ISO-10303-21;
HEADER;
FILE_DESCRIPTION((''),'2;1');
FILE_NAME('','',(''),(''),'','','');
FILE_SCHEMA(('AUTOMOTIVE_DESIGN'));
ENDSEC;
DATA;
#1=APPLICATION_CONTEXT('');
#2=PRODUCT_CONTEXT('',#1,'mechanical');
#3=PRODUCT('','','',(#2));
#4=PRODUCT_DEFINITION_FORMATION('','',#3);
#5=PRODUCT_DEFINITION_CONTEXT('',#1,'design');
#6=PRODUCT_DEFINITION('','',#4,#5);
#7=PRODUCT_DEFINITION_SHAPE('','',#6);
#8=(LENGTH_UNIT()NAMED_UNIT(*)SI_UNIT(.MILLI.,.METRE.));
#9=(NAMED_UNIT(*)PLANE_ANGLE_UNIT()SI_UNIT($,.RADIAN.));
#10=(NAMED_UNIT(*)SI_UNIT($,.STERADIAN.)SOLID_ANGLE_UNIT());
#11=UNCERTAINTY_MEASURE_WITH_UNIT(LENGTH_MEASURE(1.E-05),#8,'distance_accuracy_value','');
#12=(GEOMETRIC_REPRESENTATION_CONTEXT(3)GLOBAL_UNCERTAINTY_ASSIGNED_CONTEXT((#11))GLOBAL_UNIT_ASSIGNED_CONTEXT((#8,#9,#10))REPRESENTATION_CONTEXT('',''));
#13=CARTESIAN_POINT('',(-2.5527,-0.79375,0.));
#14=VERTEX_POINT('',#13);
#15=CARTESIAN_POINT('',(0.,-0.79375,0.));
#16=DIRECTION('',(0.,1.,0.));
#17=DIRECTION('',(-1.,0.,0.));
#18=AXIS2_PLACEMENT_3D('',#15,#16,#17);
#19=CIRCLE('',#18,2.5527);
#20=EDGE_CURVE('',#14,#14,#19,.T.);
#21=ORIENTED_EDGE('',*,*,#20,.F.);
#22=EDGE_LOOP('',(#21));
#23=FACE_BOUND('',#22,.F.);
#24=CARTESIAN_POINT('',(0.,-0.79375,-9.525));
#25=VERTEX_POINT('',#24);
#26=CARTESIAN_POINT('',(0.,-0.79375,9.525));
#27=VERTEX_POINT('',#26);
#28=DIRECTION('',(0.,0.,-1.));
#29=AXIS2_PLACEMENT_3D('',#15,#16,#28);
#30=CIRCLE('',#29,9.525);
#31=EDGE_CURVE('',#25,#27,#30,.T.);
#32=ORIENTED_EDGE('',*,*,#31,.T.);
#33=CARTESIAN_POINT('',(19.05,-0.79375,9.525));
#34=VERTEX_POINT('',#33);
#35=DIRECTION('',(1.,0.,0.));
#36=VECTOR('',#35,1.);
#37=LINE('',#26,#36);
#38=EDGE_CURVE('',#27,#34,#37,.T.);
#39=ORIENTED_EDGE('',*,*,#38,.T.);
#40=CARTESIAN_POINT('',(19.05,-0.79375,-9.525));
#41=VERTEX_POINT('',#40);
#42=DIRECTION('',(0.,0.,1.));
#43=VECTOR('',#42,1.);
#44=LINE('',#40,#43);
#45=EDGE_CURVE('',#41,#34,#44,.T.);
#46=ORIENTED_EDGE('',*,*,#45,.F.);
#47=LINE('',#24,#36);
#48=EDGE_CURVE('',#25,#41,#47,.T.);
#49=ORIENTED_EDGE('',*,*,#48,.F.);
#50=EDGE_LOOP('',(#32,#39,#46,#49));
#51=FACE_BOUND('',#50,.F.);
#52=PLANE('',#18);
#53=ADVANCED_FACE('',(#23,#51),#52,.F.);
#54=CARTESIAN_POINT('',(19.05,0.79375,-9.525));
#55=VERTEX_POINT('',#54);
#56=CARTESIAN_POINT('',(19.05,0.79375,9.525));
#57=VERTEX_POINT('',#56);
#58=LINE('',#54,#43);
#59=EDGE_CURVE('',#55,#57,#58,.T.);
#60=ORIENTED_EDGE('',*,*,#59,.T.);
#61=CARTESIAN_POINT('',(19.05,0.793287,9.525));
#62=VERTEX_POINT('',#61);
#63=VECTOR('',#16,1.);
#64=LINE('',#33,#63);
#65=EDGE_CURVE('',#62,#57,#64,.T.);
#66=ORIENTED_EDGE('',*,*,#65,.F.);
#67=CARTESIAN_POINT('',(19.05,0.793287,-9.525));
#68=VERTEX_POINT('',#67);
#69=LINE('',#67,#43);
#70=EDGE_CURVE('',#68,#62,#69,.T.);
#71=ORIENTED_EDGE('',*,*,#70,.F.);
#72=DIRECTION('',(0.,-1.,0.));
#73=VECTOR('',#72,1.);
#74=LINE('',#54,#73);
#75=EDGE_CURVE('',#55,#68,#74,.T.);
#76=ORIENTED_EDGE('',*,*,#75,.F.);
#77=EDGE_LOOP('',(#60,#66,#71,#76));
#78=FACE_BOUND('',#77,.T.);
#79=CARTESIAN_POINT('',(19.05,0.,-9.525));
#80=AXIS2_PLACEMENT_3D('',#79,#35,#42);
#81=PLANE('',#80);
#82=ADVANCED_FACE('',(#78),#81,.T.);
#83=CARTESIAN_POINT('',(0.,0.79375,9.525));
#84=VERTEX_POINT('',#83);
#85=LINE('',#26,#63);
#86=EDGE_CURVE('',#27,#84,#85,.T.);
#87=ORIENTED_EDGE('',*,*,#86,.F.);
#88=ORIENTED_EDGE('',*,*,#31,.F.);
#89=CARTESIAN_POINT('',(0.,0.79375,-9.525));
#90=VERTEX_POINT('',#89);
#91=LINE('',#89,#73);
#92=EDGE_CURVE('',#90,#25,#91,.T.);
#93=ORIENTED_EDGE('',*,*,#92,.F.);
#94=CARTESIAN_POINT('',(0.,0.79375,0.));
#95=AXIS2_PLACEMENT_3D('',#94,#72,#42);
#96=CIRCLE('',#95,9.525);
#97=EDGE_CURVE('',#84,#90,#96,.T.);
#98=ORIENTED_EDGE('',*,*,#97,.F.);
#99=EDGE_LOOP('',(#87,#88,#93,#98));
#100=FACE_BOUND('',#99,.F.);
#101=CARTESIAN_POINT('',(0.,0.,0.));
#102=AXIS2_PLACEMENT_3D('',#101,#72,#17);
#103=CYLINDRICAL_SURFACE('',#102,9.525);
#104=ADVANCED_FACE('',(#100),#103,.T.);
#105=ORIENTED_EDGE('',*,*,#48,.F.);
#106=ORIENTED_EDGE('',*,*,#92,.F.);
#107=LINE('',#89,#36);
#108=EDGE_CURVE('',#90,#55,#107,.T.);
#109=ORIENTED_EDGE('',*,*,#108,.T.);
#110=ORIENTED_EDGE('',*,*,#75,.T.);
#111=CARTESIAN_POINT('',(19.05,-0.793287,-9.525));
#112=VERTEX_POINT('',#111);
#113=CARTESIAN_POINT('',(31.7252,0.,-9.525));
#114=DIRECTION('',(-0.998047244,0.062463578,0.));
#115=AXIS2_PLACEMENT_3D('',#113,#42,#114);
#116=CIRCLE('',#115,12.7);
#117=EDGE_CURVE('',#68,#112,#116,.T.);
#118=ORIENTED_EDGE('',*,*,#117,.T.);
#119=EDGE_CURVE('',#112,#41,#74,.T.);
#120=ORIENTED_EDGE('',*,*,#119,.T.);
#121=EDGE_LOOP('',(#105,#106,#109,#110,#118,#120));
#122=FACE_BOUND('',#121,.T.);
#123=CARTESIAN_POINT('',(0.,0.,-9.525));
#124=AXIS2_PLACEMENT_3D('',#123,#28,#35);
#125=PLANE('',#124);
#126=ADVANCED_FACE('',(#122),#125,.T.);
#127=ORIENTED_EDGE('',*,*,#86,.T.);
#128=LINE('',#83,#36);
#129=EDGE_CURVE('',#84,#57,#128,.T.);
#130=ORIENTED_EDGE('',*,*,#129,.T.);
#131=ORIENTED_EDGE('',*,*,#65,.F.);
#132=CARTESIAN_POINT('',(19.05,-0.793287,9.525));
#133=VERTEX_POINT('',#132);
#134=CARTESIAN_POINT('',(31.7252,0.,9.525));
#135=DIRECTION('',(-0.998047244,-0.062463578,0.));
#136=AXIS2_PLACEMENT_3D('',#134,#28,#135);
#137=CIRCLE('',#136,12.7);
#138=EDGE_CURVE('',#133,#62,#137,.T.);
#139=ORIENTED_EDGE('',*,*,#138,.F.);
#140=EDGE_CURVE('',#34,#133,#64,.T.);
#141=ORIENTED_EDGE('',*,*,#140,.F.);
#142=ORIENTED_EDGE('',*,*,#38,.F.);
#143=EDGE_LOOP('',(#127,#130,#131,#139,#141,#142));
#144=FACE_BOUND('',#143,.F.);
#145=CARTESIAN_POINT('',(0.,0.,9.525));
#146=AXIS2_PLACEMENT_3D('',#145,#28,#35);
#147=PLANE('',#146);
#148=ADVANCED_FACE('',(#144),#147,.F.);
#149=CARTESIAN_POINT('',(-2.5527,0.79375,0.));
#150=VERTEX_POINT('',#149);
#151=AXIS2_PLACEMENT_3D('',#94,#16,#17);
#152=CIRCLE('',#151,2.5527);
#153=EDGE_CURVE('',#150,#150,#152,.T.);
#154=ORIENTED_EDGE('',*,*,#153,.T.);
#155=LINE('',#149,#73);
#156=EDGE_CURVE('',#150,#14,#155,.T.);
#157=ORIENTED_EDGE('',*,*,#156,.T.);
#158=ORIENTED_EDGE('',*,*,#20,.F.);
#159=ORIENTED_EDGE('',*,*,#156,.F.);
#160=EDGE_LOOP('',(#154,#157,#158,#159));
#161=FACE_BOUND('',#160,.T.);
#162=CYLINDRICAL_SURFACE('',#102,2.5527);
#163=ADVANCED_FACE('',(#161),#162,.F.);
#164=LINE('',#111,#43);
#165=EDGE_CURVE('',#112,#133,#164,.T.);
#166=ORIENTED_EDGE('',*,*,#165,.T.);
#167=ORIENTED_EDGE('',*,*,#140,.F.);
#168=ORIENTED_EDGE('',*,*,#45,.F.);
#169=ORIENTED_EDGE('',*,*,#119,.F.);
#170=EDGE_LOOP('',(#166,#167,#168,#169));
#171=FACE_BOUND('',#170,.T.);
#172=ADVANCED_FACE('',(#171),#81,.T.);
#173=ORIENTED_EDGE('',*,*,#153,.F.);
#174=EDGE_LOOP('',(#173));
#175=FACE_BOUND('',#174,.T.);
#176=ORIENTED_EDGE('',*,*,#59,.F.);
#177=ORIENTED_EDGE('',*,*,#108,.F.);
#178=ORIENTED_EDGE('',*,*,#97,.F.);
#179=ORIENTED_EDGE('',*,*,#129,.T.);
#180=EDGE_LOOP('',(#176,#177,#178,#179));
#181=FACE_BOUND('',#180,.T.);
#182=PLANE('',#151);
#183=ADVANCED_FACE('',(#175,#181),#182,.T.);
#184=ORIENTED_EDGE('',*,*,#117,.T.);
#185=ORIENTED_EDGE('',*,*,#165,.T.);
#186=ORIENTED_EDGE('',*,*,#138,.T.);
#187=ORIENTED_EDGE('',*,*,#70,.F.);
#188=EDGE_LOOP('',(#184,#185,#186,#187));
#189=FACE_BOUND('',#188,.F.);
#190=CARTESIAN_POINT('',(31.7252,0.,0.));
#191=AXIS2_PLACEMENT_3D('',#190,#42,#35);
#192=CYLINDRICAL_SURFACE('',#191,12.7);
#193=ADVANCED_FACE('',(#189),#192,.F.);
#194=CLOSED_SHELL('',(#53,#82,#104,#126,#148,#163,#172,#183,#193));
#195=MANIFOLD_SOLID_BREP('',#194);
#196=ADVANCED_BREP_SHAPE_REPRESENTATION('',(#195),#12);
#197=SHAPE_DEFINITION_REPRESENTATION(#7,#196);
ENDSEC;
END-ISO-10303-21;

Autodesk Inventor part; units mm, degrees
ref_plane "YZ Plane" through (0, 0, 0) normal (1, 0, 0) x (0, 1, 0)
ref_plane "XZ Plane" through (0, 0, 0) normal (0, 1, 0) x (-1, 0, 0)
ref_plane "XY Plane" through (0, 0, 0) normal (0, 0, 1) x (1, 0, 0)
sketch "Sketch1" plane through (0, 0, 0) normal (0, 1, 0) x (-1, 0, 0)
  circle A0 centre (0, 0) radius 2.5527
  circle A1 centre (0, 0) radius 9.525
  line L0 (0, 9.525) -> (-19.05, 9.525)
  line L1 (0, -9.525) -> (-19.05, -9.525)
  line L2 (-19.05, -9.525) -> (-19.05, 9.525)
  dimension "d0" = 5.1054
  dimension "d1" = 19.05
  dimension "d2" = 19.05
  dimension "d3" = 19.05
extrude "Extrusion1" add sketch "Sketch1" along normal mid plane 1.5875
sketch "Sketch2" plane through (0, 0, 0) normal (0, 0, 1) x (1, 0, 0)
  line L0 (0, 0) -> (31.7252, 0)
  circle A0 centre (31.7252, 0) radius 12.7
  point P0 (19.05, 0.7937)
  dimension "d7" = 25.4
extrude "Extrusion2" cut sketch "Sketch2" along normal mid plane 50.8
properties part number "firewalltab2" material "Steel"
